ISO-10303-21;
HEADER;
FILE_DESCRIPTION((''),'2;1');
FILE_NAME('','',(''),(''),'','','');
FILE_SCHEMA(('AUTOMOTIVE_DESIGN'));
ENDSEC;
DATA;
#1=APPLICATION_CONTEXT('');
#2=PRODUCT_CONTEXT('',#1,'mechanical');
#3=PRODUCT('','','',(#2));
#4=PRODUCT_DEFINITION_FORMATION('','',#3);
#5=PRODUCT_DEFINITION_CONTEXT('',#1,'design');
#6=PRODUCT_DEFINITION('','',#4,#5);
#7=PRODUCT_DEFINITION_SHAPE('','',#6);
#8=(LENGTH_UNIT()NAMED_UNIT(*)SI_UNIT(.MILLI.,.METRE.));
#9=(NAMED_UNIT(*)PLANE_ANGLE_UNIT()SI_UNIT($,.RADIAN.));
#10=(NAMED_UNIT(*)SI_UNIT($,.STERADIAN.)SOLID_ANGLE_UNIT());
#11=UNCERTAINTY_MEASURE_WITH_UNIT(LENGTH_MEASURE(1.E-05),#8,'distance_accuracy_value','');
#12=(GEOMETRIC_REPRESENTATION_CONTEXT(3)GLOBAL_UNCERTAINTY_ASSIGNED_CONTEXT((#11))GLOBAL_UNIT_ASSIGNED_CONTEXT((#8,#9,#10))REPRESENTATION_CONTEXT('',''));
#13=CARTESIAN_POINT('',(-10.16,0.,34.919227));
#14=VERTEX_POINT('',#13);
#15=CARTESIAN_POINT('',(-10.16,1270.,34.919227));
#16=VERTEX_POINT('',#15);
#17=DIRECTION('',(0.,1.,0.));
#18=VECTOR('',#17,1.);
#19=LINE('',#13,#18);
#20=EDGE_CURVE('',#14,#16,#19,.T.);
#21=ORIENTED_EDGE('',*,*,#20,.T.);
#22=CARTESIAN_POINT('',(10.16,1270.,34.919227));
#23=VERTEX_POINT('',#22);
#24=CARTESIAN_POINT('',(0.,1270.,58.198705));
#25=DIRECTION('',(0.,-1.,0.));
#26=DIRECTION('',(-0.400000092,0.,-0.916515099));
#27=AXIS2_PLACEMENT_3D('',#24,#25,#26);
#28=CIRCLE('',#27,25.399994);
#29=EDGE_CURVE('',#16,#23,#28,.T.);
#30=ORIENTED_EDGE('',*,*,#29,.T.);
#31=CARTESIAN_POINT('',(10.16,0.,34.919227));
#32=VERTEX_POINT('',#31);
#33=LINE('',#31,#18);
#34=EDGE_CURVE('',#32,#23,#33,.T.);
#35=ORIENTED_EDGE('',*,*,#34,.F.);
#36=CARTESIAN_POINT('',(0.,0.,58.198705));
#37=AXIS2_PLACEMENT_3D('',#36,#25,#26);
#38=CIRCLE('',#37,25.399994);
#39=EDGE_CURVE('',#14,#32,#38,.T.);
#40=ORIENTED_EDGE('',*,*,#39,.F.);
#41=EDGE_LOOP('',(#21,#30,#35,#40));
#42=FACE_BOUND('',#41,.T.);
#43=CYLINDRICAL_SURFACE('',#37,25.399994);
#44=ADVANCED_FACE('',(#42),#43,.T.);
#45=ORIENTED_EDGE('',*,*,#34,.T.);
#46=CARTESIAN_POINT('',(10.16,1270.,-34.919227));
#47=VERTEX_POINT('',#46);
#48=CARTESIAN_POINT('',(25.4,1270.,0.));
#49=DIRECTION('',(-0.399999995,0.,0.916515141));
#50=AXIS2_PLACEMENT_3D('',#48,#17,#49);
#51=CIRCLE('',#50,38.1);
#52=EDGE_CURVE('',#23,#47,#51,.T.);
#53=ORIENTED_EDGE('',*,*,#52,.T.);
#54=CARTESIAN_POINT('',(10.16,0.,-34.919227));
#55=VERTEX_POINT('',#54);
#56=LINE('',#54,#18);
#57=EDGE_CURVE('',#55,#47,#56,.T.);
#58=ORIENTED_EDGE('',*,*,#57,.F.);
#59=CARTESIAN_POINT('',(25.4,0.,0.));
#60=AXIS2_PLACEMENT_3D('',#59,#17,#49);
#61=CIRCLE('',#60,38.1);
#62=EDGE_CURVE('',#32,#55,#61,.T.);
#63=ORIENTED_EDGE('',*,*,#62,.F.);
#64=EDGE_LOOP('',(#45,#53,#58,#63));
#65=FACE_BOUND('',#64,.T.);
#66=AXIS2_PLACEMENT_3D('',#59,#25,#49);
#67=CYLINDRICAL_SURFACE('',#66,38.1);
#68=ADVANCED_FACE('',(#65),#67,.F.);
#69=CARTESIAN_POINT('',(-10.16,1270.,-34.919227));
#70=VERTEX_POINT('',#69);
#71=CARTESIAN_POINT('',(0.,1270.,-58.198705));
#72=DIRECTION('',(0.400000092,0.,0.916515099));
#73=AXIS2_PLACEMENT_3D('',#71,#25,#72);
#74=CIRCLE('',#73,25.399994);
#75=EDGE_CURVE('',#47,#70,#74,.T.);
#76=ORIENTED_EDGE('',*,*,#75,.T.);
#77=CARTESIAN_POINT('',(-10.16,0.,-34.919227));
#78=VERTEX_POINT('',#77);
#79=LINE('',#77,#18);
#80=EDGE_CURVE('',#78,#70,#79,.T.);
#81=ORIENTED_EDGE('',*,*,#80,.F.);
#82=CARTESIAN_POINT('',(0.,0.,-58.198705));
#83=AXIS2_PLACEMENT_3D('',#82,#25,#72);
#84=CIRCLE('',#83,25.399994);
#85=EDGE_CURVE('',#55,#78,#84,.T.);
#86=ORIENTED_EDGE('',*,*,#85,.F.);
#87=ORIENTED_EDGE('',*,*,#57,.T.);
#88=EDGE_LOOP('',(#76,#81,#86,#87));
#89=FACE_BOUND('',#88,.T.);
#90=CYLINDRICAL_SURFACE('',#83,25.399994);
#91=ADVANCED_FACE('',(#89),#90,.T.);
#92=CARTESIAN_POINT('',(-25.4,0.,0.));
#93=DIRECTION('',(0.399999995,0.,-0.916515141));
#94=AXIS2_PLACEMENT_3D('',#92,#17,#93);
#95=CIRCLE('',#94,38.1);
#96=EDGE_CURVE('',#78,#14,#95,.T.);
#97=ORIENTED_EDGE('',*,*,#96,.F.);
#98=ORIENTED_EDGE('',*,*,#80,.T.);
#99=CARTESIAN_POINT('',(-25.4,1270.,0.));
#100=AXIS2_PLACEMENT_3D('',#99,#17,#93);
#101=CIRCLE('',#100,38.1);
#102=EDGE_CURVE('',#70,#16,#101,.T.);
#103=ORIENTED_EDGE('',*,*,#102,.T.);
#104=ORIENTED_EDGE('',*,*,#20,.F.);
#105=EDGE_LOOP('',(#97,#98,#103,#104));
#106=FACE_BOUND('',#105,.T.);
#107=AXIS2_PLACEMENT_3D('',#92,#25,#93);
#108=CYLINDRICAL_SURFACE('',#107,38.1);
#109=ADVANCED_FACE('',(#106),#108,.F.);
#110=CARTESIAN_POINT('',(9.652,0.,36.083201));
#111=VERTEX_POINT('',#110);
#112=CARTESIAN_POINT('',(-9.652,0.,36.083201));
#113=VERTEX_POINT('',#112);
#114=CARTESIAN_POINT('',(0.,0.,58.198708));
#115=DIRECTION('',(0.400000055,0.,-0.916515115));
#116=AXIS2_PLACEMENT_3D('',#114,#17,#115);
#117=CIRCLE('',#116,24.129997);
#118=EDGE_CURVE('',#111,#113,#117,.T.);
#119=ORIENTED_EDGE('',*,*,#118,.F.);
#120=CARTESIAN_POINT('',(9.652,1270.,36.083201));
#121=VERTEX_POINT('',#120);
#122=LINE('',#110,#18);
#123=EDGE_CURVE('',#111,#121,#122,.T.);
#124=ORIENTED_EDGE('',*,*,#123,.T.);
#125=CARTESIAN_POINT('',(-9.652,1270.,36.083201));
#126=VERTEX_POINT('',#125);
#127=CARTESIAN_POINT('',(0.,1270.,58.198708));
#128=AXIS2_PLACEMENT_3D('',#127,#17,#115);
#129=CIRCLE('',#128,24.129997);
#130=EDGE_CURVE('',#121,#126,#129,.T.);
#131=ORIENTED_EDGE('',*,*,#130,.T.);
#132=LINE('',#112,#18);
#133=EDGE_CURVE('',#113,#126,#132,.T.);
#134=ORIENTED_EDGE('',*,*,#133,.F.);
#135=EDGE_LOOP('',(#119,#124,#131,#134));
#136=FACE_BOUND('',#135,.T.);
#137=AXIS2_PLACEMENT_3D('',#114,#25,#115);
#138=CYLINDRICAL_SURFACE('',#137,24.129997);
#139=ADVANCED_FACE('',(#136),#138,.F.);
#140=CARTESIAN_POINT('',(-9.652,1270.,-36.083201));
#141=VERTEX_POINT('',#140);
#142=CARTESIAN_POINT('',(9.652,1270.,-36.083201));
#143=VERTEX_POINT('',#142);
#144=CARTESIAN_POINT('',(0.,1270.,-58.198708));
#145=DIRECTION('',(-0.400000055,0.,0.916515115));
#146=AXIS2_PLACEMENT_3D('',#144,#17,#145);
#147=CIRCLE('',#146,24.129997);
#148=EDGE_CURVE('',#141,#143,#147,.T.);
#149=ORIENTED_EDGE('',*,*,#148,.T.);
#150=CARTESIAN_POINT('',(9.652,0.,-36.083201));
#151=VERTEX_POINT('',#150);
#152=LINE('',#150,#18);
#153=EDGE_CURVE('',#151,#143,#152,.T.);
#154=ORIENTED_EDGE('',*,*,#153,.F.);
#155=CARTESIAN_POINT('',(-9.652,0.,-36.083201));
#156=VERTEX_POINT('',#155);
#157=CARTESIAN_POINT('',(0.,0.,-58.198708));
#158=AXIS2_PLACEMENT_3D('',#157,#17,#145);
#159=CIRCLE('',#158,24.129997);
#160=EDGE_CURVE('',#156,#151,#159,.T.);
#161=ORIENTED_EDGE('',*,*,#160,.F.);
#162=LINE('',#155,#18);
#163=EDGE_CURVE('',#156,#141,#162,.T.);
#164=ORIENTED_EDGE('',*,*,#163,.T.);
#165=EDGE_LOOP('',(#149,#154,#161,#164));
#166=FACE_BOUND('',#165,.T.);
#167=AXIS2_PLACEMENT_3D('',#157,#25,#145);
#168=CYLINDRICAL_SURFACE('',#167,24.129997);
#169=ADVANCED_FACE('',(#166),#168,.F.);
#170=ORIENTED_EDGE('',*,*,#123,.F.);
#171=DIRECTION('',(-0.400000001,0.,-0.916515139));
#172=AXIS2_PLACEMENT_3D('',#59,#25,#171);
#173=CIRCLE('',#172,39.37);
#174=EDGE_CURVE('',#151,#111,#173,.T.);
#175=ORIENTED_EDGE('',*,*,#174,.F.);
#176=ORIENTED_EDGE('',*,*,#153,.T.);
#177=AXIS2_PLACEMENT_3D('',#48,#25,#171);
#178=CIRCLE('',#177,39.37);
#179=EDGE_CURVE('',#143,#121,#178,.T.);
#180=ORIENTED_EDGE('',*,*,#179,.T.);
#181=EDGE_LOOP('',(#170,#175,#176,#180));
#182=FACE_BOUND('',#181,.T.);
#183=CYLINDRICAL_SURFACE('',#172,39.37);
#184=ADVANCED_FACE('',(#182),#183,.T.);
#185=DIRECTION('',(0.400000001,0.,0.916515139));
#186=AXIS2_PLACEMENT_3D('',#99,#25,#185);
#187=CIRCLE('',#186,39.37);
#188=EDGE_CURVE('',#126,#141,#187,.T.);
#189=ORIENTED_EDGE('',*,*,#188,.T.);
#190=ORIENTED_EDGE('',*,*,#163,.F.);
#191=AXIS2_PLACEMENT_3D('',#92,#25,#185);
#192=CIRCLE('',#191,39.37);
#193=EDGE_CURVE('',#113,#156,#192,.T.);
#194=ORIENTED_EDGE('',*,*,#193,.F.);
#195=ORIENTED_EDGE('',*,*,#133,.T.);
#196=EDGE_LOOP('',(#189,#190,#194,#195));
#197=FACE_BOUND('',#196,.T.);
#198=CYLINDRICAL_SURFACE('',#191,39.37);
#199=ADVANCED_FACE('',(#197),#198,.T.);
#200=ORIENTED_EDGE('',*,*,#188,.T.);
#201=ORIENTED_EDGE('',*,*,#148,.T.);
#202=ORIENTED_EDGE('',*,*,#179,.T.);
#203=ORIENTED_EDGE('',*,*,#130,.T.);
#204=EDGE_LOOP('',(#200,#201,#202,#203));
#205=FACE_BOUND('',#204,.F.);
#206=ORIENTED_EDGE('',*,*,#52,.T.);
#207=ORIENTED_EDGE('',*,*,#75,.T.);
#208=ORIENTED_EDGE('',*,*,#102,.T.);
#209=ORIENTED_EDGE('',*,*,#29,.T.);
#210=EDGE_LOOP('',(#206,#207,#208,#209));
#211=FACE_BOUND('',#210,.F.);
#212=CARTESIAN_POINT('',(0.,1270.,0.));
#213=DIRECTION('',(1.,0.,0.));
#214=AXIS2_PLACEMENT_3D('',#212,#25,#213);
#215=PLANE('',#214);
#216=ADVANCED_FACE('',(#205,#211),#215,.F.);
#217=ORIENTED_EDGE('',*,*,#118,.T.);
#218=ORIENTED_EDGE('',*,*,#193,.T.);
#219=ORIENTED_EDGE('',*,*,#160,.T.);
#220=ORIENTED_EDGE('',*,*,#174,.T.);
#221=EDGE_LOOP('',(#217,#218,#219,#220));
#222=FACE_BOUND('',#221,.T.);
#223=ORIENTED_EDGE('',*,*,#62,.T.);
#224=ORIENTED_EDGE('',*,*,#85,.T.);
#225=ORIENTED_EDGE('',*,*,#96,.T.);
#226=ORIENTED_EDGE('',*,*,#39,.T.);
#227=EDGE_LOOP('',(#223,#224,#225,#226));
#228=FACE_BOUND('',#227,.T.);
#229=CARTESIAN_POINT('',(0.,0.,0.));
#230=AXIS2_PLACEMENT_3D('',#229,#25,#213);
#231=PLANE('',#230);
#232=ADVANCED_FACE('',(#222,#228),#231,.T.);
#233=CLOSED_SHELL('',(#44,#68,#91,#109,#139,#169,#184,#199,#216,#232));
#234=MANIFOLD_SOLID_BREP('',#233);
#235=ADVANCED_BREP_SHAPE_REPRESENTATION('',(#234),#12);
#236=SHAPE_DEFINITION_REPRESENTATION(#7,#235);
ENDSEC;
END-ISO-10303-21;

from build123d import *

# Parameters (mm, degrees)
F1_DEPTH = 1270


with BuildPart() as f1:
    # F0 (on Front) → F1 (new body)
    with BuildSketch(Plane.XZ):
        with BuildLine():
            ThreePointArc((9.652, 36.083201), (0, 34.068711), (-9.652, 36.083201))
            ThreePointArc((-9.652, 36.083201), (-64.77, 0), (-9.652, -36.083201))
            ThreePointArc((-9.652, -36.083201), (0, -34.068711), (9.652, -36.083201))
            ThreePointArc((9.652, -36.083201), (64.77, 0), (9.652, 36.083201))
        make_face()
        with BuildLine():
            ThreePointArc((10.16, 34.919227), (63.5, 0), (10.16, -34.919227))
            ThreePointArc((10.16, -34.919227), (0, -32.798711), (-10.16, -34.919227))
            ThreePointArc((-10.16, -34.919227), (-63.5, 0), (-10.16, 34.919227))
            ThreePointArc((-10.16, 34.919227), (0, 32.798711), (10.16, 34.919227))
        make_face(mode=Mode.SUBTRACT)
    extrude(amount=-F1_DEPTH)


solid = f1.part
